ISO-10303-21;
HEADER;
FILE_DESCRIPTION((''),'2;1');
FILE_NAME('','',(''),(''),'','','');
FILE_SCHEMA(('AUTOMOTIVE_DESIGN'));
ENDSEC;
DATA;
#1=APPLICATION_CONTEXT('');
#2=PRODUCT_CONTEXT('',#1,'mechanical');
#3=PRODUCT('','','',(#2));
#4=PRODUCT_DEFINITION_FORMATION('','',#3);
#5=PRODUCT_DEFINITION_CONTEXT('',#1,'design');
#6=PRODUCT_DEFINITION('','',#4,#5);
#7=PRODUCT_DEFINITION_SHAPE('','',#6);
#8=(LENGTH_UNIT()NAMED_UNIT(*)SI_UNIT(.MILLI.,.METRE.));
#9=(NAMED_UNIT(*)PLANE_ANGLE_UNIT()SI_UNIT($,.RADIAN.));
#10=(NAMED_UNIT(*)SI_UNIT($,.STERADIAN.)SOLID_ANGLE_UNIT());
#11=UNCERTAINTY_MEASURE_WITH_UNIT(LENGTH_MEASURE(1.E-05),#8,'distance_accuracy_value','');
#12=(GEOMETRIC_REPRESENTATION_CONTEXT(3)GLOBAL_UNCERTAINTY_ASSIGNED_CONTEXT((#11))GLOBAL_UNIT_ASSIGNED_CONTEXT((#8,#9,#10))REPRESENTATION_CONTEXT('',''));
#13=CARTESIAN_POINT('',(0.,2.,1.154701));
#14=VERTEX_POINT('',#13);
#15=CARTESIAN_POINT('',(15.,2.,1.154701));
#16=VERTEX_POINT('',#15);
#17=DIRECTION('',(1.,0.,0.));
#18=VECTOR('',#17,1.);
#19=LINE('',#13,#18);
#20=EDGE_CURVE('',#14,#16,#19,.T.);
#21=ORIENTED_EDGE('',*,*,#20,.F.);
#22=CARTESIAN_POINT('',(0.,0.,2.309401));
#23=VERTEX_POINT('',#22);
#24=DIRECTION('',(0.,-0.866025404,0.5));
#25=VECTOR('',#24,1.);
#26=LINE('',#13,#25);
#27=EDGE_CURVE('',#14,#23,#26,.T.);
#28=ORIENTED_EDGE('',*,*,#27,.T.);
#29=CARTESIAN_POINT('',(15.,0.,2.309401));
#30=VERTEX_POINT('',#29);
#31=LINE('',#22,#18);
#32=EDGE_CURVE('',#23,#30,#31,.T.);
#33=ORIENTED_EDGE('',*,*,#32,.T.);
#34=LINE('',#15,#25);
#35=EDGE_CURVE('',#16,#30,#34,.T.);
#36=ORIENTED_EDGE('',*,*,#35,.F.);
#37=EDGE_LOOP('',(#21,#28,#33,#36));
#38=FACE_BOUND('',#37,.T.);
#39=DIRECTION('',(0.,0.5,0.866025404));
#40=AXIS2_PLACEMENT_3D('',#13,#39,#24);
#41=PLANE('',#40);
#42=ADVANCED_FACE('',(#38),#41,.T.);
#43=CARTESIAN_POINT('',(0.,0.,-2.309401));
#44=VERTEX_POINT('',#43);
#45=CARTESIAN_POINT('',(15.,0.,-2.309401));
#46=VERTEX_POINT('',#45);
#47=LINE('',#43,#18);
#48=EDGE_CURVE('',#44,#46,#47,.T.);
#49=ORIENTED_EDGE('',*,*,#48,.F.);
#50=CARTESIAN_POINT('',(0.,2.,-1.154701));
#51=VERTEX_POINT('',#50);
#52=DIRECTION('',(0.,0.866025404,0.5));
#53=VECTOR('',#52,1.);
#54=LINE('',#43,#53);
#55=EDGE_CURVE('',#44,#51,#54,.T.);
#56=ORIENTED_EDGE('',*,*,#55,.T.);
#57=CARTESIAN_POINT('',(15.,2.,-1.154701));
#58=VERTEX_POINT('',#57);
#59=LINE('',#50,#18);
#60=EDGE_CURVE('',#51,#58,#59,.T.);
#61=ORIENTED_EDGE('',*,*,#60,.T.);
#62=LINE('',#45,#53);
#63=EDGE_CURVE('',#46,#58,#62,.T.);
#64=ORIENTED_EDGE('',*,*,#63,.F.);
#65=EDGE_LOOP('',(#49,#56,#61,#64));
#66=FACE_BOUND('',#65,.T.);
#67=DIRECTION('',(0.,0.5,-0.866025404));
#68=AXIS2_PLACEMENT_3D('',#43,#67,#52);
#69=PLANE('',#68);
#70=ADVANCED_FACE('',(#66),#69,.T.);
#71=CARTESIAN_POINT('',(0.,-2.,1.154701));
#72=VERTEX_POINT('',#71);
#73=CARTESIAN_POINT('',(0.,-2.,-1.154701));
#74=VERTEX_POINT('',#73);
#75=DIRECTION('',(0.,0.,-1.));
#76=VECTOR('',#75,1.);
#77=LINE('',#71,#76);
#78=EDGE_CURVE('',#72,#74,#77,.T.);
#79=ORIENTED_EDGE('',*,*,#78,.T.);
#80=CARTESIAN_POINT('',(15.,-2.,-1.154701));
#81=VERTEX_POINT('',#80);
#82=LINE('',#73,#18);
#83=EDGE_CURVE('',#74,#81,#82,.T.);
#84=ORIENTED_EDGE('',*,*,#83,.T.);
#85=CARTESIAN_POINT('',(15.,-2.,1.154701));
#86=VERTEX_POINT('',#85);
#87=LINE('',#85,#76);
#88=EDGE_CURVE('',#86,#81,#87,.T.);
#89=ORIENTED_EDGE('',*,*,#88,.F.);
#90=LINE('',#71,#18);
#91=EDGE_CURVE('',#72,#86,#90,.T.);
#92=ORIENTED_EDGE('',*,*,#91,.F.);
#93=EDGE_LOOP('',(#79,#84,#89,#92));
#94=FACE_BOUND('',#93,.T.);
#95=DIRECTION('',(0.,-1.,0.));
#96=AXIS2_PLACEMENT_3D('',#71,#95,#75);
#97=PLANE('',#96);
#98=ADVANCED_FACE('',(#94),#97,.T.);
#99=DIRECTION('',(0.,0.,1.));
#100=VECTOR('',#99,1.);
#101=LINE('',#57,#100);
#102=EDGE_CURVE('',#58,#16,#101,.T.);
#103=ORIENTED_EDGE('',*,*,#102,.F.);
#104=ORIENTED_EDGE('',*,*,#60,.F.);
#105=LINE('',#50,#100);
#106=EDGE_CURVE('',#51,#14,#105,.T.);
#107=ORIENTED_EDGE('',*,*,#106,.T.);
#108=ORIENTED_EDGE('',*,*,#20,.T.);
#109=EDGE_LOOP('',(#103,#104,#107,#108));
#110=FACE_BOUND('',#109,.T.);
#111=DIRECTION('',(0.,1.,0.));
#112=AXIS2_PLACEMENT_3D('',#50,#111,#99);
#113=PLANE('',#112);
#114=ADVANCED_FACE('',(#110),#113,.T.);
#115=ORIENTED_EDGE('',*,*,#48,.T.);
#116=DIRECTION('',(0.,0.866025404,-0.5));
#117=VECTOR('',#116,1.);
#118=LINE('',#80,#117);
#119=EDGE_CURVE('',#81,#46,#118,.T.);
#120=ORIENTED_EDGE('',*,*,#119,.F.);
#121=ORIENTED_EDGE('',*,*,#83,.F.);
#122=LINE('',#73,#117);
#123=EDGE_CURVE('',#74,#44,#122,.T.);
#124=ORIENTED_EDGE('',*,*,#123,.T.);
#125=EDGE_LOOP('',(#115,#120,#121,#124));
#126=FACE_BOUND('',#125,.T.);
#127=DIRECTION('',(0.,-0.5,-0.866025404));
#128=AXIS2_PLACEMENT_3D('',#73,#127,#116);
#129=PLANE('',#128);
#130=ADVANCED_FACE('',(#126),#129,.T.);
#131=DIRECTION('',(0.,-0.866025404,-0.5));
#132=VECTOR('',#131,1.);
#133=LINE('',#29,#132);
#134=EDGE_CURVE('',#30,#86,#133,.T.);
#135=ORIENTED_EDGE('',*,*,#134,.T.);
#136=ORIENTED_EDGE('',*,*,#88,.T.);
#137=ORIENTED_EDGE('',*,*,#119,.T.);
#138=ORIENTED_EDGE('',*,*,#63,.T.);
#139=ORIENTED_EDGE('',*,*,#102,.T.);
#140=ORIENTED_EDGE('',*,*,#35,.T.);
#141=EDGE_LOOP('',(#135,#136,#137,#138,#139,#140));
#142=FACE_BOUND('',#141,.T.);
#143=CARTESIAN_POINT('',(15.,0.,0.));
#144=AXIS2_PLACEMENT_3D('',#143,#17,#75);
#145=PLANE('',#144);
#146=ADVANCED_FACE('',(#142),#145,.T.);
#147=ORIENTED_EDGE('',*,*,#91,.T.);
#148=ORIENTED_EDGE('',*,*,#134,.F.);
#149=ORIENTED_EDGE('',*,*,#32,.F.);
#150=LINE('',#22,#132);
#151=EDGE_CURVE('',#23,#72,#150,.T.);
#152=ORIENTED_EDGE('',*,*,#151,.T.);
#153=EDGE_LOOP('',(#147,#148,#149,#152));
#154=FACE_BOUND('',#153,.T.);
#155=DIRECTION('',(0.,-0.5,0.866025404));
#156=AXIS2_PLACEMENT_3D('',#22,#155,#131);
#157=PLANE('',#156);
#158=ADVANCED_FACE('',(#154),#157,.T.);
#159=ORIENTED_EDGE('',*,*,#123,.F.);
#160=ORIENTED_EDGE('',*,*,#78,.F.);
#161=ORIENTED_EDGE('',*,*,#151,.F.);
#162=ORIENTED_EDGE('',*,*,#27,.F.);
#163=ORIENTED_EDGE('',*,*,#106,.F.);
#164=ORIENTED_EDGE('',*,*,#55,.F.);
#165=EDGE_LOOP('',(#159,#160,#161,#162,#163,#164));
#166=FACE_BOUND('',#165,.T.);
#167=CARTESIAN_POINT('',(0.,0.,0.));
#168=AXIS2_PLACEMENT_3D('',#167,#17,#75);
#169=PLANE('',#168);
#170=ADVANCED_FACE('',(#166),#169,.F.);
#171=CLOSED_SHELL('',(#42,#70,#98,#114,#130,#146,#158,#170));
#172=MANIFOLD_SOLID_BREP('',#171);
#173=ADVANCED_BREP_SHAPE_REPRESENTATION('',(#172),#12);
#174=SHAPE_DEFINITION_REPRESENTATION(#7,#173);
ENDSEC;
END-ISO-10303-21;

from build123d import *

# Parameters (mm, degrees)
SKETCH1_R           = 2
BOSS_EXTRUDE1_DEPTH = 15
BOSS_EXTRUDE2_DEPTH = 15


with BuildPart() as part:
    # Sketch1 → Boss-Extrude1 (new body)
    with BuildSketch(Plane(origin=(0, 0, 0), x_dir=(0, 0, -1), z_dir=(1, 0, 0))):
        Circle(SKETCH1_R)
    extrude(amount=BOSS_EXTRUDE1_DEPTH)

    # Sketch2 → Boss-Extrude2 (add, through all)
    with BuildSketch(Plane(origin=(15, 0, 0), x_dir=(0, 0, -1), z_dir=(1, 0, 0))):
        Polygon((2.309401077, 0), (1.154700538, 2), (-1.154700538, 2), (-2.309401077, 0), (-1.154700538, -2), (1.154700538, -2), align=None)
    extrude(amount=-BOSS_EXTRUDE2_DEPTH)


solid = part.part
